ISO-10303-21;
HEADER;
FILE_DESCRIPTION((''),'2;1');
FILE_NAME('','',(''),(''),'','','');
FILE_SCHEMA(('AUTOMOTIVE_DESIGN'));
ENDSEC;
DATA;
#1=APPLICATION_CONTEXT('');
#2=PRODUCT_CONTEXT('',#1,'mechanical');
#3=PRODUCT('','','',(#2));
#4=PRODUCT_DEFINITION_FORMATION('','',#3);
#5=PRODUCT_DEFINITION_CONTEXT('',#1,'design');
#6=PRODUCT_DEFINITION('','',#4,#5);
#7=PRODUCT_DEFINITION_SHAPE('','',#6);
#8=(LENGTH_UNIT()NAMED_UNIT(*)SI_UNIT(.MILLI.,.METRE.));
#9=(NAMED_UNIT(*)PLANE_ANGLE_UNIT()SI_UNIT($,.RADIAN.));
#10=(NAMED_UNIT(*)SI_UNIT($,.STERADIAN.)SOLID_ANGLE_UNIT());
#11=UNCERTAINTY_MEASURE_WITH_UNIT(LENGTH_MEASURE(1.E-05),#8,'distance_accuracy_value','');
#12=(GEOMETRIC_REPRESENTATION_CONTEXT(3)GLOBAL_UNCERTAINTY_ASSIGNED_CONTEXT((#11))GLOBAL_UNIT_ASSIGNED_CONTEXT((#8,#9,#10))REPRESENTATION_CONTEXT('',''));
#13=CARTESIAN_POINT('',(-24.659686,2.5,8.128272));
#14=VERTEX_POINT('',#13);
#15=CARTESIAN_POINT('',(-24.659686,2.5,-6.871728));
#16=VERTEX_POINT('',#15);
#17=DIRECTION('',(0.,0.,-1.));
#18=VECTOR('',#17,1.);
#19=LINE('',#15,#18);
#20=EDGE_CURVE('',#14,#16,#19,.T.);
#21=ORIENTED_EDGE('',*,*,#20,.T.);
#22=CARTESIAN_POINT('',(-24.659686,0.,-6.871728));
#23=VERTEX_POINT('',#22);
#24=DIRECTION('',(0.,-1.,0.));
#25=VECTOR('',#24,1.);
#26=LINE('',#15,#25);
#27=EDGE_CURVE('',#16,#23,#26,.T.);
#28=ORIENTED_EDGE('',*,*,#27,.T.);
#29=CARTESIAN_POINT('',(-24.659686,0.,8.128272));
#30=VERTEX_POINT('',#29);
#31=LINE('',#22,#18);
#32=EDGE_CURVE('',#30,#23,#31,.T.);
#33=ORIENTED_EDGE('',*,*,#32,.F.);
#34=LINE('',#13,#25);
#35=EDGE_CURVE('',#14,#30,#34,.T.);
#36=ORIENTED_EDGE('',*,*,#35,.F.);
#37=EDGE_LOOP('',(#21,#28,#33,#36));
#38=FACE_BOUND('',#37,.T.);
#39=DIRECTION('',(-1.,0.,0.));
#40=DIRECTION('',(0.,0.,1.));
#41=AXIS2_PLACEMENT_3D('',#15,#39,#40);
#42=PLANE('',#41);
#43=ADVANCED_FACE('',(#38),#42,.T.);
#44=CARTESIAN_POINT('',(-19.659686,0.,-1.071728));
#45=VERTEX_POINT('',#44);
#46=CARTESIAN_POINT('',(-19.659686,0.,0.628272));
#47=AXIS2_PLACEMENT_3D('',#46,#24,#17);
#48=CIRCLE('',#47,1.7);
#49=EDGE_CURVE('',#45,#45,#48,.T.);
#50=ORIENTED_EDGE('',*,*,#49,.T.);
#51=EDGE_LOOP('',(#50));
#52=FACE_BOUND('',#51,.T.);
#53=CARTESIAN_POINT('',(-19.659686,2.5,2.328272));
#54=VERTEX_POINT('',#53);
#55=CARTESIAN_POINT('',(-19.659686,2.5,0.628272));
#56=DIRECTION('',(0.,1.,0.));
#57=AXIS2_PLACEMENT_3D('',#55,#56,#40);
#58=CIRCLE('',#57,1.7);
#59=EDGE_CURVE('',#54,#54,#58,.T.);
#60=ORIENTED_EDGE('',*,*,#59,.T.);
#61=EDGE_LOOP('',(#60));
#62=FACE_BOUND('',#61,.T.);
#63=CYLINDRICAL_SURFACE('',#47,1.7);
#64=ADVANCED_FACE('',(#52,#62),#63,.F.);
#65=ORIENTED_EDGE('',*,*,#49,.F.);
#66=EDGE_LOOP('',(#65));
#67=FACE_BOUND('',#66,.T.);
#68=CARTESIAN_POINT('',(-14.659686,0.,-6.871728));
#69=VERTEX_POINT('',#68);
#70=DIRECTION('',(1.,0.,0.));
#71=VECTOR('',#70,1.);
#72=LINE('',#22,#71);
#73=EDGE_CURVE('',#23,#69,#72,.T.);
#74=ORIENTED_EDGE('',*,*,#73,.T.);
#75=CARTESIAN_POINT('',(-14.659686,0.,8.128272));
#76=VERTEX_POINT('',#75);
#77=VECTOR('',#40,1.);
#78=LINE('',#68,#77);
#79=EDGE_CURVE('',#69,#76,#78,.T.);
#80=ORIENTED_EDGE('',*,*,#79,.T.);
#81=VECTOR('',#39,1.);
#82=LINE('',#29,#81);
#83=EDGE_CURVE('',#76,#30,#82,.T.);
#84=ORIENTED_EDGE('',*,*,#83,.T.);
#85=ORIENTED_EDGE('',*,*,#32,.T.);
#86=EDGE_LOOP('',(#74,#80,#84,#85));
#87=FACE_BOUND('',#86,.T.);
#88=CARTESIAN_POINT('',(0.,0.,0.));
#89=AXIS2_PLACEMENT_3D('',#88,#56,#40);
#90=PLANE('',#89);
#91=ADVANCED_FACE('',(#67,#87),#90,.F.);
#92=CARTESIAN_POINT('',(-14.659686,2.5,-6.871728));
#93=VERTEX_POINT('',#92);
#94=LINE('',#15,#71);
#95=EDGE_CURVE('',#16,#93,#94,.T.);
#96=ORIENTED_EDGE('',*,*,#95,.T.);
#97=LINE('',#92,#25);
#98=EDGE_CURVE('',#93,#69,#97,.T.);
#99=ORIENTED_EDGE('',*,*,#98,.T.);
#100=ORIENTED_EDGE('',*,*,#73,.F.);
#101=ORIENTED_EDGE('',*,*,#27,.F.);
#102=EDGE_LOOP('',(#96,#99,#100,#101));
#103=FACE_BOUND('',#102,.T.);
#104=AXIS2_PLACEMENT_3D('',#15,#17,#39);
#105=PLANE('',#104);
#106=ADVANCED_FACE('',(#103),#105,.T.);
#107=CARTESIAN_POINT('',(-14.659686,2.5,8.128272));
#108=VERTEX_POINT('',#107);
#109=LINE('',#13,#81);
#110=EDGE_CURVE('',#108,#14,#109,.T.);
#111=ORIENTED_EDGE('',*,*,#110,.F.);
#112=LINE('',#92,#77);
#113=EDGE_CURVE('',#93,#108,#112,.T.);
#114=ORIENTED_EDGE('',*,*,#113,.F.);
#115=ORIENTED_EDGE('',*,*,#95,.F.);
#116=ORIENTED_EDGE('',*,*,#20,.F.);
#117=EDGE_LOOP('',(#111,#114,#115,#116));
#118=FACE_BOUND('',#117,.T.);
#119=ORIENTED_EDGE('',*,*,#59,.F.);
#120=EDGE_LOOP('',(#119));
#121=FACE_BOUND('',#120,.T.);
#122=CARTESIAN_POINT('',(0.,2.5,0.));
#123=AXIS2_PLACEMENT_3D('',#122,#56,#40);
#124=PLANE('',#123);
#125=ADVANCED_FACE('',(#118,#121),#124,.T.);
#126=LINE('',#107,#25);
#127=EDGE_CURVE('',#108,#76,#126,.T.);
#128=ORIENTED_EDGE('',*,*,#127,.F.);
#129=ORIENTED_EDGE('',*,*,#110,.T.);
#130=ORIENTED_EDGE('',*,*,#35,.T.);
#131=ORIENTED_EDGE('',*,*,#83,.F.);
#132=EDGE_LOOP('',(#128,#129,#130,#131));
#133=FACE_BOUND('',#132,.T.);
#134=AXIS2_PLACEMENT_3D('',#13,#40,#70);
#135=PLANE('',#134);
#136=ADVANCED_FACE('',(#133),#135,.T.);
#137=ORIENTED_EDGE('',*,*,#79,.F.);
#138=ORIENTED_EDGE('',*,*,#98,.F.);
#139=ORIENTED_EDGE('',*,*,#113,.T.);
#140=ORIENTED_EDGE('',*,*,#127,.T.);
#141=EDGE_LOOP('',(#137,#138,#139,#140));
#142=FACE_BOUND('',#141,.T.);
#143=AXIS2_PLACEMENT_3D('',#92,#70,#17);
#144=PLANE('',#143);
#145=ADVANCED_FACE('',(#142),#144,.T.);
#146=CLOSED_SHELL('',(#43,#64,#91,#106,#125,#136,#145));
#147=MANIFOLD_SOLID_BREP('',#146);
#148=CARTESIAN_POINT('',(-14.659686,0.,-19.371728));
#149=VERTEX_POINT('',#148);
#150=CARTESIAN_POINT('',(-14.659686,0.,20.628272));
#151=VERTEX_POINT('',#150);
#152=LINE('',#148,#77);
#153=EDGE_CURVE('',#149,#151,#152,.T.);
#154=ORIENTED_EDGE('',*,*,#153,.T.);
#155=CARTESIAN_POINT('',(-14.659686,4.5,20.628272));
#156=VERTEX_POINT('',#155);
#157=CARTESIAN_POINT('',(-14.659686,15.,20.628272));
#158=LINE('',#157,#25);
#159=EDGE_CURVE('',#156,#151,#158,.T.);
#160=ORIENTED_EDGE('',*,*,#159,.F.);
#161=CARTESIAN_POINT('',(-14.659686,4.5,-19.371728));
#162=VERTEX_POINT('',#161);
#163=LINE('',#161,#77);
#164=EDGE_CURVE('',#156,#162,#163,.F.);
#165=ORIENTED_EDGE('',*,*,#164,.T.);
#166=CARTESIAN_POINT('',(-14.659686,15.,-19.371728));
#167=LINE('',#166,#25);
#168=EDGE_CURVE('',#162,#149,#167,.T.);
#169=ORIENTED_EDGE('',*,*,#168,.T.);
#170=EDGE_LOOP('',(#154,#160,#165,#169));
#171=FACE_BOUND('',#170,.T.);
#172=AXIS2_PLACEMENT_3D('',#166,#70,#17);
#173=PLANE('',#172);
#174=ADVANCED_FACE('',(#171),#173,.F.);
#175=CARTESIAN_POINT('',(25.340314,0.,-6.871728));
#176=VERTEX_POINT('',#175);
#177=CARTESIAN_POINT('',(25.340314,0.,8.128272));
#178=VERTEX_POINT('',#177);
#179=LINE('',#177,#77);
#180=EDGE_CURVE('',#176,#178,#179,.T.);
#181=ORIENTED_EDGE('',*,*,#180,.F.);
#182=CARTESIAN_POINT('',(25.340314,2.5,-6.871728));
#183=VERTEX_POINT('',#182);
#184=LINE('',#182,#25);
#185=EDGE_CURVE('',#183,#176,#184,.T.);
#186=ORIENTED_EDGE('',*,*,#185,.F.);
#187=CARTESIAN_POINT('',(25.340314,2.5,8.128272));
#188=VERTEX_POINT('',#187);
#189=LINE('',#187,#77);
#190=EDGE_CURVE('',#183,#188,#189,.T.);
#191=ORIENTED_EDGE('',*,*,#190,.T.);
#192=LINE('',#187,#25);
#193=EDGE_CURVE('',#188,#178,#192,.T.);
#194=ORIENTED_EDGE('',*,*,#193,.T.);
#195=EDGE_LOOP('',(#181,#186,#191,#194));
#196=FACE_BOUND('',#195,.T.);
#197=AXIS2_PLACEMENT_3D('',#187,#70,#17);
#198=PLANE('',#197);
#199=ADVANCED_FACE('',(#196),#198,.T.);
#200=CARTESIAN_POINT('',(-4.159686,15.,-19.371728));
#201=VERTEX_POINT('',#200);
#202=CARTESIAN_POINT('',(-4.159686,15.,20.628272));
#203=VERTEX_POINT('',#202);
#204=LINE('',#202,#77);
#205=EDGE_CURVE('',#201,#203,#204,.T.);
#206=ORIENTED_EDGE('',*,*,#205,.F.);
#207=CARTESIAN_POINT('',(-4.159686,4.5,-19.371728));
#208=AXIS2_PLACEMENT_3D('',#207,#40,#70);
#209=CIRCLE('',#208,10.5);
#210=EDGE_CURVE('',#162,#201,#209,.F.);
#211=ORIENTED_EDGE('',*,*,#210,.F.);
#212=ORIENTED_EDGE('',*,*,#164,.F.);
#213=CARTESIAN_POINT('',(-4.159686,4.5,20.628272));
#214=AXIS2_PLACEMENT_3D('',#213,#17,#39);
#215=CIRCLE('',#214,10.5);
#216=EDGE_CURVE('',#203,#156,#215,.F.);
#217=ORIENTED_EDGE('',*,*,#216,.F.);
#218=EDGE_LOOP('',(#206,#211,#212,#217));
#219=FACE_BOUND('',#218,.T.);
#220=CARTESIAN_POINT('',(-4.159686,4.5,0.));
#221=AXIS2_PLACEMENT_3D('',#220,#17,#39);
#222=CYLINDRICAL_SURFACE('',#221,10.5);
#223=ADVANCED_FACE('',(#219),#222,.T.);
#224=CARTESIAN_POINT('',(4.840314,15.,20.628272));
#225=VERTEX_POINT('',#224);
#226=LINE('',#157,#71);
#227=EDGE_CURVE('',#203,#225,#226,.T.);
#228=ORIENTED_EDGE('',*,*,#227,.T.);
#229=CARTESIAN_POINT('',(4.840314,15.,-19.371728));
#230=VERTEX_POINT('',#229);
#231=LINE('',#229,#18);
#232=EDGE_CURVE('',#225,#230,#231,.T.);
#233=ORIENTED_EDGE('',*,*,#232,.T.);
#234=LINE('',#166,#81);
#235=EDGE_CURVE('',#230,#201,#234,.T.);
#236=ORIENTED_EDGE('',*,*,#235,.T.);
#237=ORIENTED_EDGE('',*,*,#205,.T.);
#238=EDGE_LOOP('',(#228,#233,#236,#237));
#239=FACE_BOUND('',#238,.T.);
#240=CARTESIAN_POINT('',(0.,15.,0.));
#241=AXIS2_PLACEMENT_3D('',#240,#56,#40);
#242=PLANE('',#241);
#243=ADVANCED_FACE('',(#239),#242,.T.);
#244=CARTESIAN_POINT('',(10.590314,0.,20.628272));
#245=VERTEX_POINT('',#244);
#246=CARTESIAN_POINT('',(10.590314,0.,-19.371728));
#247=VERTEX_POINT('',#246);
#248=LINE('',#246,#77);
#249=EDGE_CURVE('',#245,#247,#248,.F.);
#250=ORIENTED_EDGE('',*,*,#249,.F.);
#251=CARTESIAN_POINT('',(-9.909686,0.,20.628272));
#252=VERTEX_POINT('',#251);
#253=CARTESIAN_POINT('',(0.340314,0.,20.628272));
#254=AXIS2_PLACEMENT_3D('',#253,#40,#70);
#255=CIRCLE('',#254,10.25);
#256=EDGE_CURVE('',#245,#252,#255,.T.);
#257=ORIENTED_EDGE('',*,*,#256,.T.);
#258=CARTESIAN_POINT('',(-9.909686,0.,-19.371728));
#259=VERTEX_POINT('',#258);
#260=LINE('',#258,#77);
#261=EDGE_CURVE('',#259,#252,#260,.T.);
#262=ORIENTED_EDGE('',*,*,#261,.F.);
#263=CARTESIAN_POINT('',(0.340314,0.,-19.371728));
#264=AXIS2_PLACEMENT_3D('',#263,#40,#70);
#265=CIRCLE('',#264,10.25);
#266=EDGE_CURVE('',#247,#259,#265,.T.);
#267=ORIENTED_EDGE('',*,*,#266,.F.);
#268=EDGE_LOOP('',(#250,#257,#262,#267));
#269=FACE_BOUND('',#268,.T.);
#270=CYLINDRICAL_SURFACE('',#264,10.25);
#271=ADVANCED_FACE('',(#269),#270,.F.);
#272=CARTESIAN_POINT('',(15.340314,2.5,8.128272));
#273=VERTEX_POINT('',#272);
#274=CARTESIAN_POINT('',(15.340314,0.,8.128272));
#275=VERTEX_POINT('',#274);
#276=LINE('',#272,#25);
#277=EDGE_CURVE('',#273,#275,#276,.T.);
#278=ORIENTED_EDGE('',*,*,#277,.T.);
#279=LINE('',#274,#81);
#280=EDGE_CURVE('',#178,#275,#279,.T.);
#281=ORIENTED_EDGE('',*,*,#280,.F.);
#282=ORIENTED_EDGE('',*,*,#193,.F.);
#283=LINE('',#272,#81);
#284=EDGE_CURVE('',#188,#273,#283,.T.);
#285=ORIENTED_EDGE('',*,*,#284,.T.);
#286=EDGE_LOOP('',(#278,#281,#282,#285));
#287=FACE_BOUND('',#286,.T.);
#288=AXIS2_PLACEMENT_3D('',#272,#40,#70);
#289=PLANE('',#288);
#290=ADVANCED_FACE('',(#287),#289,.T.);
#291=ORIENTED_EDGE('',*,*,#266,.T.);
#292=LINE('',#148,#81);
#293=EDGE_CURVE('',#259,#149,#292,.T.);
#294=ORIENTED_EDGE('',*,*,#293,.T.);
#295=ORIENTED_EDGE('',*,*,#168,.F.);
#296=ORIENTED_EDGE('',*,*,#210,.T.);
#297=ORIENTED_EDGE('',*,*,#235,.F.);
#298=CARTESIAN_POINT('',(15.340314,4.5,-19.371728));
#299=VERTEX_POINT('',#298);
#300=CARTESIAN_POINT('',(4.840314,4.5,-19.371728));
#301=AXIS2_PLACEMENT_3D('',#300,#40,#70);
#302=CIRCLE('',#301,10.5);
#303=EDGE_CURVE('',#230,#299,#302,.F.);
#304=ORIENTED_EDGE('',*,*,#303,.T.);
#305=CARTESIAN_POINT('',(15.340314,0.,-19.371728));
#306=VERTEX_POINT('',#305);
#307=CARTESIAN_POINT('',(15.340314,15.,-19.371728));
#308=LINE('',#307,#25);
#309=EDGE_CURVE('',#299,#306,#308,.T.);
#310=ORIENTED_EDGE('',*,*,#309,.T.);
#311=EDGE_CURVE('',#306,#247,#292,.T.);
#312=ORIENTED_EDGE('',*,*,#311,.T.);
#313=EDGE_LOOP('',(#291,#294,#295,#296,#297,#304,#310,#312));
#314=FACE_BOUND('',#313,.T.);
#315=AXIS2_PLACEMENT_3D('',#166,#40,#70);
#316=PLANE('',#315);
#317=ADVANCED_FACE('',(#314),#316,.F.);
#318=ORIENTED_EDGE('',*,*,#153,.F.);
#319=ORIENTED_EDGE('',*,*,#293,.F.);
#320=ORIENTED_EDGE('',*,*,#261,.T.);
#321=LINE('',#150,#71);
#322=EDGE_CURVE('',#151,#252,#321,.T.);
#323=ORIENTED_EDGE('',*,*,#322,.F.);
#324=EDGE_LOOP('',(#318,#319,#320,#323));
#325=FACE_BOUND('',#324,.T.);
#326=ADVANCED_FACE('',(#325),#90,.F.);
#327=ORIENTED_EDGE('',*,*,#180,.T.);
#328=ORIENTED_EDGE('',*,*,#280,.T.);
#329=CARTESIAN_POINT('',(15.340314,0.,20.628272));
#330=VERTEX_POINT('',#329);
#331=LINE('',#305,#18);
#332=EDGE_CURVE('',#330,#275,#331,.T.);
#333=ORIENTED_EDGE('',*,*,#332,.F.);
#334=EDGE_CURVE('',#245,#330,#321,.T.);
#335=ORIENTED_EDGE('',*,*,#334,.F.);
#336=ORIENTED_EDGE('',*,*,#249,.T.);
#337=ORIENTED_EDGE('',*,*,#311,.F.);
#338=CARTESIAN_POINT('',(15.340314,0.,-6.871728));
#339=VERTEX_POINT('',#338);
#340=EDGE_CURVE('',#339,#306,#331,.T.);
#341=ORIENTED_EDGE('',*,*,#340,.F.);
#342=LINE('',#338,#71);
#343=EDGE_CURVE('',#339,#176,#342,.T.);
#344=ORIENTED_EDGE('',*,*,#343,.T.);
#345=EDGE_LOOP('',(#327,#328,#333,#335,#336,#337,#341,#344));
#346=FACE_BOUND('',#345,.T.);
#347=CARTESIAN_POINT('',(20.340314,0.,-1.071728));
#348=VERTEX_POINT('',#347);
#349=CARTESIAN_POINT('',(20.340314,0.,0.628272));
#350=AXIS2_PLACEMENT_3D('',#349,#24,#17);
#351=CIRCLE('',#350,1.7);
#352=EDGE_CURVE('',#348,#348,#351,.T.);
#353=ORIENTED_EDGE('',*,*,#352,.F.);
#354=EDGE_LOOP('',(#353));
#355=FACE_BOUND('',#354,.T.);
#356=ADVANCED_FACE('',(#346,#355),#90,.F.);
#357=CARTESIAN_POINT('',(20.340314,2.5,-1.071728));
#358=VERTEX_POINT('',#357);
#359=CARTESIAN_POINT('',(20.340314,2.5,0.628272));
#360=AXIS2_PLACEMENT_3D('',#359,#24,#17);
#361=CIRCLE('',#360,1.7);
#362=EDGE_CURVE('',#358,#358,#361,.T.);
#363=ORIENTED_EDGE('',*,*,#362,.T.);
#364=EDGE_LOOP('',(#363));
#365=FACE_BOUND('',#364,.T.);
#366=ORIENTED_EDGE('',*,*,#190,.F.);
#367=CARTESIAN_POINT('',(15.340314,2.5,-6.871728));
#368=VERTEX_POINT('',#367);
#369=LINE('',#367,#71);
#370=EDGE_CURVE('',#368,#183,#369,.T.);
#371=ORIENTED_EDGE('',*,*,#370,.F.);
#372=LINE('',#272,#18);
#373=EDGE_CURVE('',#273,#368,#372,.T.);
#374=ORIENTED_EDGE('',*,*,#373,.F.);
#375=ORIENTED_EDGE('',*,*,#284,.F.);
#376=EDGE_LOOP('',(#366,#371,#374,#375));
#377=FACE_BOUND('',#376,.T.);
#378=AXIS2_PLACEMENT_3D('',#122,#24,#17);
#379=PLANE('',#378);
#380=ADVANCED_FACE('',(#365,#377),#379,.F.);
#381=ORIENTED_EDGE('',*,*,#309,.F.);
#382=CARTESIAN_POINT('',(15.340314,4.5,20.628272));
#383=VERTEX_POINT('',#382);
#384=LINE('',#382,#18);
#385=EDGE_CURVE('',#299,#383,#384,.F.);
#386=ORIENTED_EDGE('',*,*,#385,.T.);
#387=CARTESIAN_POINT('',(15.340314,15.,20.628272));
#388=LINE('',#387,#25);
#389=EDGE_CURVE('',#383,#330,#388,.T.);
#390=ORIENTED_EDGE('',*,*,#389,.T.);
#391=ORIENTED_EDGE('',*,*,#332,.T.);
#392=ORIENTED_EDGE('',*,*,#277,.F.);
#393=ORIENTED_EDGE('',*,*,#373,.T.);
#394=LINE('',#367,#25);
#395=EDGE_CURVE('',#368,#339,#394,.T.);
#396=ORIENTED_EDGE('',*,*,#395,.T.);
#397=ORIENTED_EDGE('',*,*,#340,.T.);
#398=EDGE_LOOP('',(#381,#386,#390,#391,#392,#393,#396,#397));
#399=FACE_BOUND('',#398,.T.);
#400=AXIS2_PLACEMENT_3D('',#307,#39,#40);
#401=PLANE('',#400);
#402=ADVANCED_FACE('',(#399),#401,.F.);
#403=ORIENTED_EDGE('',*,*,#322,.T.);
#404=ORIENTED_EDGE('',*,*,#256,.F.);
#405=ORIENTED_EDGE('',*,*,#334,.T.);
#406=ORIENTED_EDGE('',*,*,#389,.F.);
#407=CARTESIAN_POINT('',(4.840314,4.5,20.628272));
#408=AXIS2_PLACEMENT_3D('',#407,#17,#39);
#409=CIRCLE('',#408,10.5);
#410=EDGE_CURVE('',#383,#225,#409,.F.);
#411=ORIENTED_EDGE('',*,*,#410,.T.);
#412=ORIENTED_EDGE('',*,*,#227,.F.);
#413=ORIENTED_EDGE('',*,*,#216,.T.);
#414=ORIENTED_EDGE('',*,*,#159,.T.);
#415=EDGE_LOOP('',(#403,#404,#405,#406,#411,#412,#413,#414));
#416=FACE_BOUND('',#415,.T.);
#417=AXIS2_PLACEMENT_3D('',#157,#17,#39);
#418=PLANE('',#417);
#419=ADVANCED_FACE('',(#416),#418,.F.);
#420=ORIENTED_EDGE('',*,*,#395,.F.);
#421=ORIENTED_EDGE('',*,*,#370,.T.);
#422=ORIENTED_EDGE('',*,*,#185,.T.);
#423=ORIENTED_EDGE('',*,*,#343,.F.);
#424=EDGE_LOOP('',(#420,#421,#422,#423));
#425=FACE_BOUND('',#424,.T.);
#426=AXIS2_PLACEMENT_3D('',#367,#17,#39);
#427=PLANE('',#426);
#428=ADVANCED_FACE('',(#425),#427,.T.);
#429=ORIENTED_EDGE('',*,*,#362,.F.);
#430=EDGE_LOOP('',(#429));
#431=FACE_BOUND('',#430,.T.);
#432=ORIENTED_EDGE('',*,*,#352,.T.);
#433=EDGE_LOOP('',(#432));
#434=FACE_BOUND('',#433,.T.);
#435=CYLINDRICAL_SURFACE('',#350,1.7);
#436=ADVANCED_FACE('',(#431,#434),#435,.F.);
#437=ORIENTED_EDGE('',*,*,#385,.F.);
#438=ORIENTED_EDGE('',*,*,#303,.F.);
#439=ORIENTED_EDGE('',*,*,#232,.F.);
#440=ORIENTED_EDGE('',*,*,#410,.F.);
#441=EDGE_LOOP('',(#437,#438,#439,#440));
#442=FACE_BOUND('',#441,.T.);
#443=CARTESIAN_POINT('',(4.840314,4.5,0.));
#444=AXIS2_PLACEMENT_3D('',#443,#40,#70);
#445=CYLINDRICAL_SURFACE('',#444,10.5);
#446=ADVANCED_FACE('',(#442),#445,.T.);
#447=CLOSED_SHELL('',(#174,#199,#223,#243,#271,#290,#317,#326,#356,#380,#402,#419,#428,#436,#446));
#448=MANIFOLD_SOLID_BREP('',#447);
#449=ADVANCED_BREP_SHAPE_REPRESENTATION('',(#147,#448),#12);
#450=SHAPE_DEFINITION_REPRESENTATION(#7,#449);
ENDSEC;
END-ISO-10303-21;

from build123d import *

# Parameters (mm, degrees)
SKETCH1_W                     = 30
SKETCH1_H                     = 40
BOSS_EXTRUDE1_DEPTH           = 15
SKETCH2_R                     = 10.25
CUT_EXTRUDE1_DEPTH            = 41
SKETCH3_W                     = 10
SKETCH3_H                     = 15
BOSS_EXTRUDE2_DEPTH           = 2.5
SKETCH4_W                     = 10
SKETCH4_H                     = 15
BOSS_EXTRUDE3_DEPTH           = 2.5
SKETCH6_W                     = 1.7
SKETCH6_H                     = 2.501
M3_CLEARANCE_HOLE1_AT_2_COUNT = 2
M3_CLEARANCE_HOLE1_AT_2_PITCH = 40
FILLET1_R                     = 10.5


with BuildPart() as part:
    # Sketch1 → Boss-Extrude1 (new body)
    with BuildSketch(Plane(origin=(0, 0, 0), x_dir=(1, 0, 0), z_dir=(0, 1, 0))):
        with Locations((0.340314136, -0.628272251)):
            Rectangle(SKETCH1_W, SKETCH1_H)
    extrude(amount=BOSS_EXTRUDE1_DEPTH)

    # Sketch2 → Cut-Extrude1 (cut, through all)
    with BuildSketch(Plane.XY.offset(20.628272251)):
        with Locations((0.340314136, 0)):
            Circle(SKETCH2_R)
    extrude(amount=-CUT_EXTRUDE1_DEPTH, mode=Mode.SUBTRACT)

    # Sketch4 → Boss-Extrude3 (add)
    with BuildSketch(Plane.XZ):
        with Locations((20.340314136, 0.628272251)):
            Rectangle(SKETCH4_W, SKETCH4_H)
    extrude(amount=-BOSS_EXTRUDE3_DEPTH)

    # Sketch6 → M3 Clearance Hole1 (revolve, cut)
    with BuildSketch(Plane(origin=(20.340314136, 0, 0.628272251), x_dir=(0, 0, -1), z_dir=(1, 0, 0))):
        with Locations((0.85, 1.2505)):
            Rectangle(SKETCH6_W, SKETCH6_H)
    m3_clearance_hole1 = revolve(axis=Axis((20.340314136, -6.35, 0.628272251), (0, 1, 0)), mode=Mode.SUBTRACT)

    # Fillet1
    fillet1_edges = [part.edges().sort_by_distance(p)[0] for p in [
        (15.340314136, 15, 0.628272251),
        (-14.659685864, 15, 0.628272251),
    ]]
    fillet(fillet1_edges, radius=FILLET1_R)


with BuildPart() as body_2:
    # Sketch3 → Boss-Extrude2 (new body)
    with BuildSketch(Plane(origin=(0, 0, 0), x_dir=(-1, 0, 0), z_dir=(0, -1, 0))):
        with Locations((19.659685864, -0.628272251)):
            Rectangle(SKETCH3_W, SKETCH3_H)
    extrude(amount=-BOSS_EXTRUDE2_DEPTH)

    # M3 Clearance Hole1 at 2: M3 Clearance Hole1 ×2
    with Locations(*[(-i * M3_CLEARANCE_HOLE1_AT_2_PITCH, 0, 0) for i in range(1, M3_CLEARANCE_HOLE1_AT_2_COUNT)]):
        add(m3_clearance_hole1, mode=Mode.SUBTRACT)


solid = Compound([part.part, body_2.part])
